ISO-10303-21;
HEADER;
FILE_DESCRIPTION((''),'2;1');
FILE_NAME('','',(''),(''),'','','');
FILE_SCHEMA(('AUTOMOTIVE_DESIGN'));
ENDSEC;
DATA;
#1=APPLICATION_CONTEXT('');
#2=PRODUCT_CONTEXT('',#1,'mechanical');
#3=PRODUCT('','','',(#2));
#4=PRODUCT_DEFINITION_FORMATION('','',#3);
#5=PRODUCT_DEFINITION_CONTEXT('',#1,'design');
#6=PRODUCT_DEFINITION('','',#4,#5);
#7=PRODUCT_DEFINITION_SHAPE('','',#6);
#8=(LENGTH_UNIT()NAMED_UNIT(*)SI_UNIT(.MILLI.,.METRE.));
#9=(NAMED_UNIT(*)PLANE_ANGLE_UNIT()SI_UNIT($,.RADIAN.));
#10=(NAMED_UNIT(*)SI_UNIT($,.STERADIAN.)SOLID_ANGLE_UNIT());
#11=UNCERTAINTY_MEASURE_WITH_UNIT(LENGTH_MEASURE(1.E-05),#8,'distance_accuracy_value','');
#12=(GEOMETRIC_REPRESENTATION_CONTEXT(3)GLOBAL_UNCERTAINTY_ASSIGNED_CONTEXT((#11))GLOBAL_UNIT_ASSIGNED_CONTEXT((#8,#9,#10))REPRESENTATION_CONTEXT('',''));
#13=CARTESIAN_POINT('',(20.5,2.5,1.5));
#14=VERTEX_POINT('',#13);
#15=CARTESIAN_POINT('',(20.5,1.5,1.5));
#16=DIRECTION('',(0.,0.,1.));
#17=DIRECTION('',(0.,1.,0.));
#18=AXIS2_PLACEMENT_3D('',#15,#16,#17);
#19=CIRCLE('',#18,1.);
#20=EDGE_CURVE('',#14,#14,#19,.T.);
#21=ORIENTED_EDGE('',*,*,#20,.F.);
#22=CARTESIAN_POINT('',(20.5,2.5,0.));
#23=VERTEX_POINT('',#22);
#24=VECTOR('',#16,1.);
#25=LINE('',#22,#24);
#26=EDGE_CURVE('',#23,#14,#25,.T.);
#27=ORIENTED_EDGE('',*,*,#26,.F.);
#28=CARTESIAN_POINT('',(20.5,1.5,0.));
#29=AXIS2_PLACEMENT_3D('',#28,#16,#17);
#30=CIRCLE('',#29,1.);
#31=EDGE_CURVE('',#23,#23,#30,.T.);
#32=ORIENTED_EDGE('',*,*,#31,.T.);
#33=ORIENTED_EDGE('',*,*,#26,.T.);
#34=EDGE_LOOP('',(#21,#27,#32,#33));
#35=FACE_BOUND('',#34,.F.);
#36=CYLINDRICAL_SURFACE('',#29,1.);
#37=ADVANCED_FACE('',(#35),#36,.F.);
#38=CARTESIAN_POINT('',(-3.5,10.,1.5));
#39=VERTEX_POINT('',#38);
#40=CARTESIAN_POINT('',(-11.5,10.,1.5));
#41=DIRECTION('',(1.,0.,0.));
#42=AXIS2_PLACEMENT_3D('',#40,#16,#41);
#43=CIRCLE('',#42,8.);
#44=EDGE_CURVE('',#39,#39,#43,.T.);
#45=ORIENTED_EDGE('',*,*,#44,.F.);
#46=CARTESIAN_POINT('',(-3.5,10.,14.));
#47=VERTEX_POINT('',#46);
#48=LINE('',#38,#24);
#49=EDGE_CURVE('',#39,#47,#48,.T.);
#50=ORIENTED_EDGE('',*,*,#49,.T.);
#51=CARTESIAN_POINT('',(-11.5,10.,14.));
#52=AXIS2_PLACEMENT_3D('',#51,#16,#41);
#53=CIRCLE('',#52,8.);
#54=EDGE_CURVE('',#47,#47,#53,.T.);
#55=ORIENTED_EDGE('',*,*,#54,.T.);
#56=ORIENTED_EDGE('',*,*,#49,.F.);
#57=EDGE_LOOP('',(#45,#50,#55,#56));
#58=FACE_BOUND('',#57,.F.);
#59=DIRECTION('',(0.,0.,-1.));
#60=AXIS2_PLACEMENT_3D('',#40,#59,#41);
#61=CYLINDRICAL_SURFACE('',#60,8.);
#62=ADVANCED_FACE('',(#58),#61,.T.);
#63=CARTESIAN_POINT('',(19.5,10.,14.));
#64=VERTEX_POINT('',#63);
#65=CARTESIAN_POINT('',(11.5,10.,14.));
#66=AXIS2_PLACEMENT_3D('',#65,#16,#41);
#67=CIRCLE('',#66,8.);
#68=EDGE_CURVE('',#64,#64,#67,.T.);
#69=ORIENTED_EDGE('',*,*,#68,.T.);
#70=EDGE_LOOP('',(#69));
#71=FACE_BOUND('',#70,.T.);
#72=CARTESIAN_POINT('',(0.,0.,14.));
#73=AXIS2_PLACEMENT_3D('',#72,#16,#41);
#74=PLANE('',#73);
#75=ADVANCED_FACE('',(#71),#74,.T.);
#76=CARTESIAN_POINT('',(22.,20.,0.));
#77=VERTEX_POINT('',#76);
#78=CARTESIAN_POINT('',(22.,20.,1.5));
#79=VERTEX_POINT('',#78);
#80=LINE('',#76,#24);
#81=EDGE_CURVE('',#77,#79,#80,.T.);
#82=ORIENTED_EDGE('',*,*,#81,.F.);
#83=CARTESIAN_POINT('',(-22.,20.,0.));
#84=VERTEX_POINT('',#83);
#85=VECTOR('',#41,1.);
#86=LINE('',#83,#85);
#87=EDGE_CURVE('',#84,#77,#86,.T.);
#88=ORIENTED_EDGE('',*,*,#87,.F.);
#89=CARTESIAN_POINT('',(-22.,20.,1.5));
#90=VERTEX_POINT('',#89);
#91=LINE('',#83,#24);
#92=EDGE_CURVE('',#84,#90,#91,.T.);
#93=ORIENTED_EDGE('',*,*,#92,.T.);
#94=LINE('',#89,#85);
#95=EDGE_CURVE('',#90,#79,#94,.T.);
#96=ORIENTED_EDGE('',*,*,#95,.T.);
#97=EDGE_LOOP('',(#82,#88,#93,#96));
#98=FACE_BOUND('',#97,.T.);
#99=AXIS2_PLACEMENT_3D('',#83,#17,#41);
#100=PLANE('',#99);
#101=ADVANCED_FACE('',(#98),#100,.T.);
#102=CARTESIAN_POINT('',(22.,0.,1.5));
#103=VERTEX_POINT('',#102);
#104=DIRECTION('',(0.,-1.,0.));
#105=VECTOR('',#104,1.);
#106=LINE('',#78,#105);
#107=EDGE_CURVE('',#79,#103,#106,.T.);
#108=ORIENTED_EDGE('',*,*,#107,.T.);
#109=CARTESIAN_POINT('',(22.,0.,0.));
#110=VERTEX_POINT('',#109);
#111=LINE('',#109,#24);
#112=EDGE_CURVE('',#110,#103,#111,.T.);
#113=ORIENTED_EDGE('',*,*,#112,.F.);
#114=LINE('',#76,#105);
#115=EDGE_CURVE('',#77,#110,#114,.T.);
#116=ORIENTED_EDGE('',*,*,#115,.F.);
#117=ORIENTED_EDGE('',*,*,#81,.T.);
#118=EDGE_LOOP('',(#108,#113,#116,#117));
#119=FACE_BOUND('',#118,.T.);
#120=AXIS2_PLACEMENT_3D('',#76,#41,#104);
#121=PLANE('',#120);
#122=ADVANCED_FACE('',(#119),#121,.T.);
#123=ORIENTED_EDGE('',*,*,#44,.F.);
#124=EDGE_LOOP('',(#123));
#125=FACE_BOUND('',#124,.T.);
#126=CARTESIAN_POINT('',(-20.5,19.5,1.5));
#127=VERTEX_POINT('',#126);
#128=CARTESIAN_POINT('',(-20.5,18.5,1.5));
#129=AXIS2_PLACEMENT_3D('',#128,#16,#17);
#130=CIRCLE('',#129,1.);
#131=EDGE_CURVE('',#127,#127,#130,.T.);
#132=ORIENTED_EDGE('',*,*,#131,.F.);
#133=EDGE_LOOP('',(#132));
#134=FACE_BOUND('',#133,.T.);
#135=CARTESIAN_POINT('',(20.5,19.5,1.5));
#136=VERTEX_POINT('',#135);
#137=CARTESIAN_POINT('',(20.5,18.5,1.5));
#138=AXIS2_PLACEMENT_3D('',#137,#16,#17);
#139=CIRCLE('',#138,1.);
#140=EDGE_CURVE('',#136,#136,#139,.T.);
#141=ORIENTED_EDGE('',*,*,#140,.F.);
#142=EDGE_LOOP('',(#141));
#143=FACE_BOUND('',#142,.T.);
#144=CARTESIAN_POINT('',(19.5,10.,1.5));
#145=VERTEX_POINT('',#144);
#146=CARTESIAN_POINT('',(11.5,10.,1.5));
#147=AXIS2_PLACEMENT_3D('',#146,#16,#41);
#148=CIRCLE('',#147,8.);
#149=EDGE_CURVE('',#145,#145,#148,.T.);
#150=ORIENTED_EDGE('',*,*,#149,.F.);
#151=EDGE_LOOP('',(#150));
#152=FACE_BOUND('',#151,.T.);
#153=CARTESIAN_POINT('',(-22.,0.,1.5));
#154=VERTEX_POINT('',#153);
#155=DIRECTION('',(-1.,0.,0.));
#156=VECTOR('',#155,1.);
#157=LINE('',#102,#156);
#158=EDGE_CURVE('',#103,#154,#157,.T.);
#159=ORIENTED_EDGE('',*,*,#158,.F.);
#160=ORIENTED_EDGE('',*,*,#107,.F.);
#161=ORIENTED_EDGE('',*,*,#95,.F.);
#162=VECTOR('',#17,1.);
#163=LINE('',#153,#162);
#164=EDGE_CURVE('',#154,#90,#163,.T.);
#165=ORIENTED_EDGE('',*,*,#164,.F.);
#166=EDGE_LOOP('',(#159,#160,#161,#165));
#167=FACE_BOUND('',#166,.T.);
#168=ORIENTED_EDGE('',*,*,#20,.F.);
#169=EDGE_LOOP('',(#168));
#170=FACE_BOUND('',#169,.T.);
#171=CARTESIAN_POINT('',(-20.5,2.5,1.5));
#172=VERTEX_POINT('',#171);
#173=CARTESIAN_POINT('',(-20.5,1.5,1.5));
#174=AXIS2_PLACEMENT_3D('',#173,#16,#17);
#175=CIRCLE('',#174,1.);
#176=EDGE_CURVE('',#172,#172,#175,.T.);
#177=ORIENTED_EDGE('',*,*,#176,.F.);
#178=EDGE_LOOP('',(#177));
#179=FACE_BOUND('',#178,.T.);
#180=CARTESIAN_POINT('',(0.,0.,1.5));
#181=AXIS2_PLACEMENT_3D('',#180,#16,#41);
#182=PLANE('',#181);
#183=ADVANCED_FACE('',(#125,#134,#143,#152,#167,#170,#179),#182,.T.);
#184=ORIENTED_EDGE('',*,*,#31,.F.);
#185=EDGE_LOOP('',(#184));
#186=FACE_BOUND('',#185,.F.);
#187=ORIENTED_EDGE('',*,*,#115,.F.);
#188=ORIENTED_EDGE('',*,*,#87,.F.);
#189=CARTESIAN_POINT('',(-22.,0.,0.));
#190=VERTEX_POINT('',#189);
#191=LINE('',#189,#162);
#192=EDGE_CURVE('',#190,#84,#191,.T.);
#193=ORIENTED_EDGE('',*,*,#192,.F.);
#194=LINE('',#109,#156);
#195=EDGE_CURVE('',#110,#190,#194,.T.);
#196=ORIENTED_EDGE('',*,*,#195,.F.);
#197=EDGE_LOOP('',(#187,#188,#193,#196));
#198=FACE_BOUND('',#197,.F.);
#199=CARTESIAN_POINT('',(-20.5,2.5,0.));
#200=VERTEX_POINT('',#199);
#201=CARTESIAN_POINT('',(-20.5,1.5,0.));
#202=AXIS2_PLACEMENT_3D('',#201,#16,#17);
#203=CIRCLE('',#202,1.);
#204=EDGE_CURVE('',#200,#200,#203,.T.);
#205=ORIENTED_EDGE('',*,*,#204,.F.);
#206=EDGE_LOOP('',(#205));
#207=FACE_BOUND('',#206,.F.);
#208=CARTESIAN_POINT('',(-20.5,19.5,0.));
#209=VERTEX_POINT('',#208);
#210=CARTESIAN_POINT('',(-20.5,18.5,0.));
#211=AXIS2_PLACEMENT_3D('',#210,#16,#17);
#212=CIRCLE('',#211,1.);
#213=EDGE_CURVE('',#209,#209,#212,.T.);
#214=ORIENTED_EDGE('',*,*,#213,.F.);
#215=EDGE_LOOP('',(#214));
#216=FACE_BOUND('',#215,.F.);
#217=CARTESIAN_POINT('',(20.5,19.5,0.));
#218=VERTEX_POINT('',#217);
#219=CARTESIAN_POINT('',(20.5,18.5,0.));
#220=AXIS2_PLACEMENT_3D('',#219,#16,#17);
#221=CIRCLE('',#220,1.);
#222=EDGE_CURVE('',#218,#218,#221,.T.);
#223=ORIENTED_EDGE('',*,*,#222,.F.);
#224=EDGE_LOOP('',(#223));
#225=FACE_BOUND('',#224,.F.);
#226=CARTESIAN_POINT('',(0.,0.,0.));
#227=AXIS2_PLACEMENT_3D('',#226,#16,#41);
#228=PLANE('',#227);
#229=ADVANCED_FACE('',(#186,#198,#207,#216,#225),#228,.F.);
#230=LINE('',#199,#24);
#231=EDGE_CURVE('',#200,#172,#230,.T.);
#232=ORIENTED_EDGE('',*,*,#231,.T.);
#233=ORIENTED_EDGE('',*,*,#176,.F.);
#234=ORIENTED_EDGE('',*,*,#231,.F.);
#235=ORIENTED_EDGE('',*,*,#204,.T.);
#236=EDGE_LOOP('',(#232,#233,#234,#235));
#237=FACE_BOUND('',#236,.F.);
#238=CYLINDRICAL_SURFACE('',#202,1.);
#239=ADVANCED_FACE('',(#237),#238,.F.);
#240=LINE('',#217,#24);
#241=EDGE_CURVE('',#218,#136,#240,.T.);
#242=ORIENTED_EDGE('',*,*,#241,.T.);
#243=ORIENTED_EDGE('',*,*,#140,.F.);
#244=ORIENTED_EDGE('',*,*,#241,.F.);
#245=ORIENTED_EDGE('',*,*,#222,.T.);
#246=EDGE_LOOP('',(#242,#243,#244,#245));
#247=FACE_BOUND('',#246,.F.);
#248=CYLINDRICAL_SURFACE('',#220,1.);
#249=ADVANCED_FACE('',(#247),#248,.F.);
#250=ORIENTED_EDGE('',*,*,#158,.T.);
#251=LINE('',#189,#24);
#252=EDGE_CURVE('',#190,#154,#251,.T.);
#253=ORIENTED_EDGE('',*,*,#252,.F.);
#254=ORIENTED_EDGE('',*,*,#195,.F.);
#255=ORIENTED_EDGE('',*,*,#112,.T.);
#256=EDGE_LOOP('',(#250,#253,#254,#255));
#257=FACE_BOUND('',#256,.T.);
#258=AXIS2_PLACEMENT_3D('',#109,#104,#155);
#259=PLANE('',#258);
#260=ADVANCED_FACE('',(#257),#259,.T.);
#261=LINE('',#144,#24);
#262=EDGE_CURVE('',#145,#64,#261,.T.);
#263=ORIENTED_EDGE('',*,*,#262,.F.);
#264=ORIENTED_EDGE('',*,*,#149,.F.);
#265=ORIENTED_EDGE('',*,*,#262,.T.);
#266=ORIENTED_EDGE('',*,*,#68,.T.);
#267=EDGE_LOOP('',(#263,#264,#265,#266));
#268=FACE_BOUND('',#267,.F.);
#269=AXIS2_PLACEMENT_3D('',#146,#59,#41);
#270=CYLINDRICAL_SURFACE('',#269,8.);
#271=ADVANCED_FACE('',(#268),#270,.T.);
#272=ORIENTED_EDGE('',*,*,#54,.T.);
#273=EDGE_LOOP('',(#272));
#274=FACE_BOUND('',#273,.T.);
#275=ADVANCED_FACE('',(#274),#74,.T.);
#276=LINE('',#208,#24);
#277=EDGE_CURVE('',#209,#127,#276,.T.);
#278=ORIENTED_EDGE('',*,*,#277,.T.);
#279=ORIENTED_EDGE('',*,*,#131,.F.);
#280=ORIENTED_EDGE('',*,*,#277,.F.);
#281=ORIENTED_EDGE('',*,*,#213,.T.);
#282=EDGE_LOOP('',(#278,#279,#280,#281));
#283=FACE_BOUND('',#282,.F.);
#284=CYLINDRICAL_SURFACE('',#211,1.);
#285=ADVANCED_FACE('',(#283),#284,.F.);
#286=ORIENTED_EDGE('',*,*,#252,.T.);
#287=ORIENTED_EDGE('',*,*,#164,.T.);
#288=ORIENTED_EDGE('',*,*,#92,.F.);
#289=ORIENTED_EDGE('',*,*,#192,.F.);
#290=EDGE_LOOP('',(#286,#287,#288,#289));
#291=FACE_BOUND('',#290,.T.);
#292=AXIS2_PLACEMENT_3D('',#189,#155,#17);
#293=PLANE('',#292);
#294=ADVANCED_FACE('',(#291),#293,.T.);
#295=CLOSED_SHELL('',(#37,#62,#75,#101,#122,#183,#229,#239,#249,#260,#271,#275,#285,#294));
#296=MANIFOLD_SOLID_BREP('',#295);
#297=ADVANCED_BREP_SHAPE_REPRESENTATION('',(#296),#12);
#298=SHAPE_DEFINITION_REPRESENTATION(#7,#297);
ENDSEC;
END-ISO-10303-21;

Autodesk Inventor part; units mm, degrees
ref_plane "YZ Plane" through (0, 0, 0) normal (1, 0, 0) x (0, 1, 0)
ref_plane "XZ Plane" through (0, 0, 0) normal (0, 1, 0) x (-1, 0, 0)
ref_plane "XY Plane" through (0, 0, 0) normal (0, 0, 1) x (1, 0, 0)
sketch "Sketch1" plane through (0, 0, 0) normal (0, 0, 1) x (1, 0, 0)
  line L0 (-22, 20) -> (22, 20)
  line L1 (22, 20) -> (22, 0)
  line L2 (22, 0) -> (-22, 0)
  line L3 (-22, 0) -> (-22, 20)
  line L4 (-22, 20) -> (22, 0) construction
  line L5 (22, 20) -> (-22, 0) construction
  point P0 (0, 0)
  point P1 (0, 10)
  point P2 (0, 10)
  dimension "d0" = 44
  dimension "d1" = 20
extrude "Extrusion1" add sketch "Sketch1" along normal blind 1.5
sketch "Sketch2" plane through (0, 0, 1.5) normal (0, 0, 1) x (1, 0, 0)
  circle A0 centre (-11.5, 10) radius 8
  line L0 (0, -4) -> (0, 24) projected
  circle A1 centre (11.5, 10) radius 8
  line L1 (-22, 20) -> (-22, 0) projected
  point P0 (0, 0)
  point P1 (-22, 10)
  point P2 (-19.5, 10)
  dimension "d4" = 16
  dimension "d5" = 2.5
extrude "Extrusion2" add sketch "Sketch2" along normal blind 12.5
sketch "Sketch3" plane through (0, 0, 0) normal (0, 0, -1) x (-1, 0, 0)
  line L0 (21.5, 19.5) -> (-21.5, 19.5)
  line L1 (-21.5, 19.5) -> (-21.5, 0.5)
  line L2 (-21.5, 0.5) -> (21.5, 0.5)
  line L3 (21.5, 0.5) -> (21.5, 19.5)
  line L4 (21.5, 19.5) -> (-21.5, 0.5) construction
  line L5 (-21.5, 19.5) -> (21.5, 0.5) construction
  line L6 (-22, 0) -> (-22, 20) projected
  line L7 (-22, 20) -> (22, 20) projected
  line L8 (22, 20) -> (22, 0) projected
  line L9 (22, 0) -> (-22, 0) projected
  circle A0 centre (-20.5, 18.5) radius 1
  circle A1 centre (-20.5, 1.5) radius 1
  circle A2 centre (20.5, 18.5) radius 1
  circle A3 centre (20.5, 1.5) radius 1
  point P0 (0, 0)
  point P1 (0, 10)
  dimension "d8" = 0.5
  dimension "d9" = 0.5
  dimension "d10" = 0.5
  dimension "d11" = 0.5
  dimension "d12" = 2
  dimension "d13" = 2
  dimension "d14" = 2
  dimension "d15" = 2
hole "Hole1" at (-20.5, 1.5, 0) at (-20.5, 18.5, 0) at (20.5, 1.5, 0) at (20.5, 18.5, 0) direction (0, 0, 1) diameter 2 depth 6
equation "\"d10\" = d8"
equation "\"d11\" = d9"
equation "\"d13\" = d14"
equation "\"d14\" = d12"
equation "\"d15\" = d12"
equation "\"d16\" = d12"
properties part number "US-015"
